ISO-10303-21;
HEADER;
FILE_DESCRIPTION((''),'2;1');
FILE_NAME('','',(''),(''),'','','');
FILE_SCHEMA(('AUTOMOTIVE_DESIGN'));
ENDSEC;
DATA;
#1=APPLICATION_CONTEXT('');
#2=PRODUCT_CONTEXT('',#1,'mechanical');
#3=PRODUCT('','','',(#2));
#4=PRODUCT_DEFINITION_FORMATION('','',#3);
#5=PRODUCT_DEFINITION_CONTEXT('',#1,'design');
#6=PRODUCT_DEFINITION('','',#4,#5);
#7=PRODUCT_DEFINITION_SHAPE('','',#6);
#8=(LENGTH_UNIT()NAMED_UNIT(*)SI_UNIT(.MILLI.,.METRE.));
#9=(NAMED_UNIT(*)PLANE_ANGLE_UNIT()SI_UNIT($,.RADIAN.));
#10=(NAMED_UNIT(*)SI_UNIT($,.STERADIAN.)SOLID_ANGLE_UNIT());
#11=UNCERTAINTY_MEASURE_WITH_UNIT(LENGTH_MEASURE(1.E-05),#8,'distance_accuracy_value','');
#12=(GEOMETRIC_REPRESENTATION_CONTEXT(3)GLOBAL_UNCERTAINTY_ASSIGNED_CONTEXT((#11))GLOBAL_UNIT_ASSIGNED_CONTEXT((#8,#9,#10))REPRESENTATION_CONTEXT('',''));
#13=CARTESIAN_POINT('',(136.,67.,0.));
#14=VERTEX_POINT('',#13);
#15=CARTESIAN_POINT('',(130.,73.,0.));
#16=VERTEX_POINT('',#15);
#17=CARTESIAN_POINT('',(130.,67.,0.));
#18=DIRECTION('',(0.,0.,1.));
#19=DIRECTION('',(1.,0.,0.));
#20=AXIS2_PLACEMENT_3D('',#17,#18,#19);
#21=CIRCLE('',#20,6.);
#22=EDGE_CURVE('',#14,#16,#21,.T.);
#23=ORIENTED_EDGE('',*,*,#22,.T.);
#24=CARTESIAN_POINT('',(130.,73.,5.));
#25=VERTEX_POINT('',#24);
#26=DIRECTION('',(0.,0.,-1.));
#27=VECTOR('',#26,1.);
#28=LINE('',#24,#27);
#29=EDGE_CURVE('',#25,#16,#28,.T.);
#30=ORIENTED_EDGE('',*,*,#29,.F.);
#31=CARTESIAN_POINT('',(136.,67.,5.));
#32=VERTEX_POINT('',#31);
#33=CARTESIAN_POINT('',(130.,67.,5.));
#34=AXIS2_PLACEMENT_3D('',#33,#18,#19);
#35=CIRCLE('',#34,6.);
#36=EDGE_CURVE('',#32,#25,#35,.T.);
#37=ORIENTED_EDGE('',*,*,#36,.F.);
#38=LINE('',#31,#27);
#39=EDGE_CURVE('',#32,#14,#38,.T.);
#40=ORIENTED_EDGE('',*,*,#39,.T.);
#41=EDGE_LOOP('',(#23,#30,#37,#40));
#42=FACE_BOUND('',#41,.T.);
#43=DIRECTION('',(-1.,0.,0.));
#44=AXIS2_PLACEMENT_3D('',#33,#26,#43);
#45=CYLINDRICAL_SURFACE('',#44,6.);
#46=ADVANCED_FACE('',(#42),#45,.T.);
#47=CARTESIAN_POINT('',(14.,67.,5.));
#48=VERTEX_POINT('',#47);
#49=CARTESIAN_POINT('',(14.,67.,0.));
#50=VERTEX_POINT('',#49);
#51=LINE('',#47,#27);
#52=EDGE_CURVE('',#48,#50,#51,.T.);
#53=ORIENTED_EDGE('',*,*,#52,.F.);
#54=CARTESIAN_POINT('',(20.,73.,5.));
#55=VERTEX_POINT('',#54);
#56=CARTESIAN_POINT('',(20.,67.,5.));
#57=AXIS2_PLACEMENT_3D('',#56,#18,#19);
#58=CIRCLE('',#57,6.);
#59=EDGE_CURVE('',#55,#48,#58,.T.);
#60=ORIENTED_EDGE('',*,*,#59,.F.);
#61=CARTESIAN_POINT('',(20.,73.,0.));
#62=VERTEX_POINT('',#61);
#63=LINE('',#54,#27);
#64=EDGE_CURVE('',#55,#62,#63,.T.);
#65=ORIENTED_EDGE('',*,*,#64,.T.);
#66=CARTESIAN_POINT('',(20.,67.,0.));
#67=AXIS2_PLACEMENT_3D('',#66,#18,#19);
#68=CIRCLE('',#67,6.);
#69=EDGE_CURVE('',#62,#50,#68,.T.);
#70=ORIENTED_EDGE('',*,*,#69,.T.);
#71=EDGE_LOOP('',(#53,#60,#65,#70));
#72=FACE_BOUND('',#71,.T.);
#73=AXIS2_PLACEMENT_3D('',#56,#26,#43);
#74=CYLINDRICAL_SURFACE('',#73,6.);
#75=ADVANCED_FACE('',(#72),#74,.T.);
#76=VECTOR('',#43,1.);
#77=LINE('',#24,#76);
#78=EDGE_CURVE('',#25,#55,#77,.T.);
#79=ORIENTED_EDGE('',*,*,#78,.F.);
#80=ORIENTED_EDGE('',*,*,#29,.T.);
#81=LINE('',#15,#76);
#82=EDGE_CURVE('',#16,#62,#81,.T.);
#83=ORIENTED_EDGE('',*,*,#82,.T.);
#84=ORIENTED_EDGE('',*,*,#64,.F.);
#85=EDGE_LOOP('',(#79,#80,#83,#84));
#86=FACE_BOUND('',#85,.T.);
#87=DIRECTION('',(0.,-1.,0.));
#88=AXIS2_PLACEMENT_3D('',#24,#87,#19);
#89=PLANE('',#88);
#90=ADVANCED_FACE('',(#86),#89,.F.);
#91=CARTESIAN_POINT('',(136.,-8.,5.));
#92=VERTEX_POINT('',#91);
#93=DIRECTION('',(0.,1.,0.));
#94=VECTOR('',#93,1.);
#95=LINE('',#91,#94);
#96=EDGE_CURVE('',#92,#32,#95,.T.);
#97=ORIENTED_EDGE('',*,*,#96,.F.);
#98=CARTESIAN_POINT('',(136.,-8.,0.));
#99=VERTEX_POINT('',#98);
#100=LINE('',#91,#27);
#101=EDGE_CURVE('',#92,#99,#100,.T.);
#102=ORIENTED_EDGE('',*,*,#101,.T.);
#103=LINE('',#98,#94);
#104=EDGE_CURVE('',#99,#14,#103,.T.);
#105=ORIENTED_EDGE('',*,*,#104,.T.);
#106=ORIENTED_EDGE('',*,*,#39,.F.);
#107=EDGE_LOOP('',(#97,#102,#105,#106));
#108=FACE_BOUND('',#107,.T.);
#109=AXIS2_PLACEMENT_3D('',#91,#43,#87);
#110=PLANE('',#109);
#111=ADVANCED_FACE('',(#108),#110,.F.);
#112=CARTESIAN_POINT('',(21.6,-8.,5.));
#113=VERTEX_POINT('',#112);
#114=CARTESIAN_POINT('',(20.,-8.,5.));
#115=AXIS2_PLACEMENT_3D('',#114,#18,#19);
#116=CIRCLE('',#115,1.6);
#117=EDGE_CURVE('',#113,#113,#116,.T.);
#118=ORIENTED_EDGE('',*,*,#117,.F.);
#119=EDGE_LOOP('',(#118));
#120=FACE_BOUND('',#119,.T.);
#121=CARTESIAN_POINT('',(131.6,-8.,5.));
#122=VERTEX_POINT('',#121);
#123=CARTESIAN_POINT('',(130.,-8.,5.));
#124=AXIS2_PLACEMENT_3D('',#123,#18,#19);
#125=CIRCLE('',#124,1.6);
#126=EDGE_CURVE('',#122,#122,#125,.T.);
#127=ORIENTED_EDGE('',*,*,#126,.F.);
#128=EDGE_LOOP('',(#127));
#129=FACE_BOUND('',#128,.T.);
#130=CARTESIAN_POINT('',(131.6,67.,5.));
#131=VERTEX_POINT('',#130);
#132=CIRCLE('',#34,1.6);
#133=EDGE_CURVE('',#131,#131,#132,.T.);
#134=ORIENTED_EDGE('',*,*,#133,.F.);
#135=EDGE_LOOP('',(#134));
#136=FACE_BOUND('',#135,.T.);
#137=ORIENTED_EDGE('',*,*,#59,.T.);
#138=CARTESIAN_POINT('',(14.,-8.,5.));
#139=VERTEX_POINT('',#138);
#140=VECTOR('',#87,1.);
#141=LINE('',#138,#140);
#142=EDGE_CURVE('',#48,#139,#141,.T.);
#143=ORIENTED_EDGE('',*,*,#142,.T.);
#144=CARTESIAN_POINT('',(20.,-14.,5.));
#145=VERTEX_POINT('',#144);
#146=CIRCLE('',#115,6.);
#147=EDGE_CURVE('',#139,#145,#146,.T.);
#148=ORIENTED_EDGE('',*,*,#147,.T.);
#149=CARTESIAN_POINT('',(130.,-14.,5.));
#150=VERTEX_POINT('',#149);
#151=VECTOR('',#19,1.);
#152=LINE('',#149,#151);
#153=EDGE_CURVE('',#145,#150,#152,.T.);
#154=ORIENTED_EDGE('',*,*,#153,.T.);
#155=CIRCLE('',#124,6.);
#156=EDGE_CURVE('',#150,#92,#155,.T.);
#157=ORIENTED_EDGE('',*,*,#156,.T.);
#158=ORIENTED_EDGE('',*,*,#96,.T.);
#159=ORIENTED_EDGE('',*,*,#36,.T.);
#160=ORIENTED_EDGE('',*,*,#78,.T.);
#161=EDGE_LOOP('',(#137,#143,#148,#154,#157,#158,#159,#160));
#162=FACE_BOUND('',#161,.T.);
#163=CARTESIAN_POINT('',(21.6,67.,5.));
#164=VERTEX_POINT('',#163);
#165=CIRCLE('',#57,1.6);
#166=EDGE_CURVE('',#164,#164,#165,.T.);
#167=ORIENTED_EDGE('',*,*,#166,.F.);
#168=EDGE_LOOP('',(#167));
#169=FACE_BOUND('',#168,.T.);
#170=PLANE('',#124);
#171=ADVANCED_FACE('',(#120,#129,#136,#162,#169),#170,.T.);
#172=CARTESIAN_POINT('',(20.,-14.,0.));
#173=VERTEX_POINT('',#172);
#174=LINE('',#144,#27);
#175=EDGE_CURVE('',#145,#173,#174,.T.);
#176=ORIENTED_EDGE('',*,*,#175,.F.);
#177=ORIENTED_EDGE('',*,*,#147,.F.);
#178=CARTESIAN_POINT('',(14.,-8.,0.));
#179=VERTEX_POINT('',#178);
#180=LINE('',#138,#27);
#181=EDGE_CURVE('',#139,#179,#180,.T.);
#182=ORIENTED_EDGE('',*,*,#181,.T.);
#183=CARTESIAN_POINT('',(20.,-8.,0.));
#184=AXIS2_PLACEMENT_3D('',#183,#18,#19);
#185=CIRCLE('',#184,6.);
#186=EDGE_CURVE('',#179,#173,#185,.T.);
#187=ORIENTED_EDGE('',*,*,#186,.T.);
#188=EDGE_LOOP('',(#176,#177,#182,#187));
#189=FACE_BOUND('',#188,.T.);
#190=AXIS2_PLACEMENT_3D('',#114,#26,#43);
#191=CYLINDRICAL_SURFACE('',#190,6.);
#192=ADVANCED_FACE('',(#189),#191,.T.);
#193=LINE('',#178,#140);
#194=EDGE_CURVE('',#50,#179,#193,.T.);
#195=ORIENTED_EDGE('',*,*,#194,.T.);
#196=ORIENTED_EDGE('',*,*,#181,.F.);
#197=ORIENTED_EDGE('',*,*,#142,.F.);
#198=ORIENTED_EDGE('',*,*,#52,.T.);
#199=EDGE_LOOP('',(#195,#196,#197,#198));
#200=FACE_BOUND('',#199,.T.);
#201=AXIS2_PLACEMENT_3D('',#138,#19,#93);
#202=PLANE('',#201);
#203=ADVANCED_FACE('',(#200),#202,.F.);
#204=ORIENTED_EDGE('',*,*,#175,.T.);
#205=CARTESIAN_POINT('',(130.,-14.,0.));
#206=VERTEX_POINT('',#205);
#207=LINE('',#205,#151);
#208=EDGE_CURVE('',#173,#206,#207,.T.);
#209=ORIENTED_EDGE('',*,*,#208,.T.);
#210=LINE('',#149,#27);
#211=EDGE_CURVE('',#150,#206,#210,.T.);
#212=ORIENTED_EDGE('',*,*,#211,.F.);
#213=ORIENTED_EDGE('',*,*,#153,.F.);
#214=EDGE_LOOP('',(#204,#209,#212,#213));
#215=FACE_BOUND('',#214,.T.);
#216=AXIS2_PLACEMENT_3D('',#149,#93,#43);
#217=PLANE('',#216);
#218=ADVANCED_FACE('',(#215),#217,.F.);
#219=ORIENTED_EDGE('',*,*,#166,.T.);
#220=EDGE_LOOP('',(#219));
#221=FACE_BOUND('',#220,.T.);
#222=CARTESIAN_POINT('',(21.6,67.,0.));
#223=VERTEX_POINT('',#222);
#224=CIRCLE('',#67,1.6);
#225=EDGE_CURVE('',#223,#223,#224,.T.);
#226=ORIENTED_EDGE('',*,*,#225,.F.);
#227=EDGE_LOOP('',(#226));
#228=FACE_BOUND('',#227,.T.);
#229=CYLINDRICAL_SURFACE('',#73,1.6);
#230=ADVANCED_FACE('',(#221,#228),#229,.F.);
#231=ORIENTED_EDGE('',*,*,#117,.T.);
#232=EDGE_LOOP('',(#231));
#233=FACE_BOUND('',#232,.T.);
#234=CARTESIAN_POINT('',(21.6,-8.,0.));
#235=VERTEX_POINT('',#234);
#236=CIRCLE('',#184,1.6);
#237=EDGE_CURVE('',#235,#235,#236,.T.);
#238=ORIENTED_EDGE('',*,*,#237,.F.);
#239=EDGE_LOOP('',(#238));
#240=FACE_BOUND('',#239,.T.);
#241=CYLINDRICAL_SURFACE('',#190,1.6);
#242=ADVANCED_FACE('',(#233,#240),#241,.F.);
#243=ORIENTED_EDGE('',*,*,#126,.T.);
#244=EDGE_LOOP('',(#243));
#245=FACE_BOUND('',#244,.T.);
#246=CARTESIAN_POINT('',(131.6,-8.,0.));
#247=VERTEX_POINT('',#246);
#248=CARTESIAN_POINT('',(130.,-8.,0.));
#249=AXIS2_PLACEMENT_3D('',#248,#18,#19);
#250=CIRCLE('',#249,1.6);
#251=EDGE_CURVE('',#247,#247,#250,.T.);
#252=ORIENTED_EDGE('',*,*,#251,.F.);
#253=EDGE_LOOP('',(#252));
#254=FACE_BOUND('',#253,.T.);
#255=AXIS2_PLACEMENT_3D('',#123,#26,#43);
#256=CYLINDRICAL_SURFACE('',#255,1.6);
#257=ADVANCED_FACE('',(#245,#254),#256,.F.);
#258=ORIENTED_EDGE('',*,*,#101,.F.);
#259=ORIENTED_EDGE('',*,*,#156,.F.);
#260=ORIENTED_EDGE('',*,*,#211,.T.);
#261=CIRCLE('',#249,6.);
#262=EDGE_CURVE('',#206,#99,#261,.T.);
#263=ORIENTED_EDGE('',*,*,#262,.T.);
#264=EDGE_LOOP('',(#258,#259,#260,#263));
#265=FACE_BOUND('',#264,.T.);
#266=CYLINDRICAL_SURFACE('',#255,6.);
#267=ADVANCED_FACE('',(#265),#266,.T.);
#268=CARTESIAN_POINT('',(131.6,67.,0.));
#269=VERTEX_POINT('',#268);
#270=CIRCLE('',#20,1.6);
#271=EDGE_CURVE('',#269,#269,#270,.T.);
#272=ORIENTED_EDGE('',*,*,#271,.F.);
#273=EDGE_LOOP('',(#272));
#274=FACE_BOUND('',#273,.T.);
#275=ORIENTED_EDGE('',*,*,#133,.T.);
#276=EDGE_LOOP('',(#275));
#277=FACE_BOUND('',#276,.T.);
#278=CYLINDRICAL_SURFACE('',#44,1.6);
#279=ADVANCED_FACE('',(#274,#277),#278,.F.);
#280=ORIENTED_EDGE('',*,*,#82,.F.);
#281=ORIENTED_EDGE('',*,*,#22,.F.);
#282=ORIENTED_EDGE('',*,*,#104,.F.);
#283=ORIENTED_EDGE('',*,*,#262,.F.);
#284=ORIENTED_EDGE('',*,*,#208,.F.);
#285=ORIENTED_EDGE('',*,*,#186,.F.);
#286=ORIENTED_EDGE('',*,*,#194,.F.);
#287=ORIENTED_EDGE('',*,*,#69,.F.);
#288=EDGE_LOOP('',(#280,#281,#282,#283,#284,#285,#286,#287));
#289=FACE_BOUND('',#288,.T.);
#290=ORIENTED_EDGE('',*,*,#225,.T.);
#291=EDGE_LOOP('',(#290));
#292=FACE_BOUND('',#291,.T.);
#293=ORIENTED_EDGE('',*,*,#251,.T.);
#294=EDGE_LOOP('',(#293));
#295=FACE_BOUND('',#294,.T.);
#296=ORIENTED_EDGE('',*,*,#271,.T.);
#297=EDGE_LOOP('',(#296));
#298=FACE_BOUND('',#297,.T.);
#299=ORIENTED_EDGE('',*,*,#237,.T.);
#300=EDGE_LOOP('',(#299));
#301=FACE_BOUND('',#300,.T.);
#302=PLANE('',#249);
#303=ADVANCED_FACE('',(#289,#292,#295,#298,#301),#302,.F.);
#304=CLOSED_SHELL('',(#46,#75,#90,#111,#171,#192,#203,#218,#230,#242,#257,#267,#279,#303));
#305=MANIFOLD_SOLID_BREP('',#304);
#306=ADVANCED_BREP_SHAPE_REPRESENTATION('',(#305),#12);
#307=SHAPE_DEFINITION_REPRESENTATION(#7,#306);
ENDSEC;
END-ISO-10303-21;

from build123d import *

# Parameters (mm, degrees)
SKETCH_1_R      = 1.6
EXTRUDE_1_DEPTH = 5


with BuildPart() as part:
    # Эскиз1 → Бобышка-Вытянуть1 (new body)
    with BuildSketch(Plane.XY):
        with BuildLine():
            Line((130, -14), (20, -14))
            ThreePointArc((20, -14), (15.757359313, -12.242640687), (14, -8))
            Line((14, -8), (14, 67))
            ThreePointArc((14, 67), (15.757359313, 71.242640687), (20, 73))
            Line((20, 73), (130, 73))
            ThreePointArc((130, 73), (134.242640687, 71.242640687), (136, 67))
            Line((136, 67), (136, -8))
            ThreePointArc((136, -8), (134.242640687, -12.242640687), (130, -14))
        make_face()
        with Locations((130, 67)):
            Circle(SKETCH_1_R, mode=Mode.SUBTRACT)
        with Locations((20, 67)):
            Circle(SKETCH_1_R, mode=Mode.SUBTRACT)
        with Locations((20, -8)):
            Circle(SKETCH_1_R, mode=Mode.SUBTRACT)
        with Locations((130, -8)):
            Circle(SKETCH_1_R, mode=Mode.SUBTRACT)
    extrude(amount=EXTRUDE_1_DEPTH)


solid = part.part
